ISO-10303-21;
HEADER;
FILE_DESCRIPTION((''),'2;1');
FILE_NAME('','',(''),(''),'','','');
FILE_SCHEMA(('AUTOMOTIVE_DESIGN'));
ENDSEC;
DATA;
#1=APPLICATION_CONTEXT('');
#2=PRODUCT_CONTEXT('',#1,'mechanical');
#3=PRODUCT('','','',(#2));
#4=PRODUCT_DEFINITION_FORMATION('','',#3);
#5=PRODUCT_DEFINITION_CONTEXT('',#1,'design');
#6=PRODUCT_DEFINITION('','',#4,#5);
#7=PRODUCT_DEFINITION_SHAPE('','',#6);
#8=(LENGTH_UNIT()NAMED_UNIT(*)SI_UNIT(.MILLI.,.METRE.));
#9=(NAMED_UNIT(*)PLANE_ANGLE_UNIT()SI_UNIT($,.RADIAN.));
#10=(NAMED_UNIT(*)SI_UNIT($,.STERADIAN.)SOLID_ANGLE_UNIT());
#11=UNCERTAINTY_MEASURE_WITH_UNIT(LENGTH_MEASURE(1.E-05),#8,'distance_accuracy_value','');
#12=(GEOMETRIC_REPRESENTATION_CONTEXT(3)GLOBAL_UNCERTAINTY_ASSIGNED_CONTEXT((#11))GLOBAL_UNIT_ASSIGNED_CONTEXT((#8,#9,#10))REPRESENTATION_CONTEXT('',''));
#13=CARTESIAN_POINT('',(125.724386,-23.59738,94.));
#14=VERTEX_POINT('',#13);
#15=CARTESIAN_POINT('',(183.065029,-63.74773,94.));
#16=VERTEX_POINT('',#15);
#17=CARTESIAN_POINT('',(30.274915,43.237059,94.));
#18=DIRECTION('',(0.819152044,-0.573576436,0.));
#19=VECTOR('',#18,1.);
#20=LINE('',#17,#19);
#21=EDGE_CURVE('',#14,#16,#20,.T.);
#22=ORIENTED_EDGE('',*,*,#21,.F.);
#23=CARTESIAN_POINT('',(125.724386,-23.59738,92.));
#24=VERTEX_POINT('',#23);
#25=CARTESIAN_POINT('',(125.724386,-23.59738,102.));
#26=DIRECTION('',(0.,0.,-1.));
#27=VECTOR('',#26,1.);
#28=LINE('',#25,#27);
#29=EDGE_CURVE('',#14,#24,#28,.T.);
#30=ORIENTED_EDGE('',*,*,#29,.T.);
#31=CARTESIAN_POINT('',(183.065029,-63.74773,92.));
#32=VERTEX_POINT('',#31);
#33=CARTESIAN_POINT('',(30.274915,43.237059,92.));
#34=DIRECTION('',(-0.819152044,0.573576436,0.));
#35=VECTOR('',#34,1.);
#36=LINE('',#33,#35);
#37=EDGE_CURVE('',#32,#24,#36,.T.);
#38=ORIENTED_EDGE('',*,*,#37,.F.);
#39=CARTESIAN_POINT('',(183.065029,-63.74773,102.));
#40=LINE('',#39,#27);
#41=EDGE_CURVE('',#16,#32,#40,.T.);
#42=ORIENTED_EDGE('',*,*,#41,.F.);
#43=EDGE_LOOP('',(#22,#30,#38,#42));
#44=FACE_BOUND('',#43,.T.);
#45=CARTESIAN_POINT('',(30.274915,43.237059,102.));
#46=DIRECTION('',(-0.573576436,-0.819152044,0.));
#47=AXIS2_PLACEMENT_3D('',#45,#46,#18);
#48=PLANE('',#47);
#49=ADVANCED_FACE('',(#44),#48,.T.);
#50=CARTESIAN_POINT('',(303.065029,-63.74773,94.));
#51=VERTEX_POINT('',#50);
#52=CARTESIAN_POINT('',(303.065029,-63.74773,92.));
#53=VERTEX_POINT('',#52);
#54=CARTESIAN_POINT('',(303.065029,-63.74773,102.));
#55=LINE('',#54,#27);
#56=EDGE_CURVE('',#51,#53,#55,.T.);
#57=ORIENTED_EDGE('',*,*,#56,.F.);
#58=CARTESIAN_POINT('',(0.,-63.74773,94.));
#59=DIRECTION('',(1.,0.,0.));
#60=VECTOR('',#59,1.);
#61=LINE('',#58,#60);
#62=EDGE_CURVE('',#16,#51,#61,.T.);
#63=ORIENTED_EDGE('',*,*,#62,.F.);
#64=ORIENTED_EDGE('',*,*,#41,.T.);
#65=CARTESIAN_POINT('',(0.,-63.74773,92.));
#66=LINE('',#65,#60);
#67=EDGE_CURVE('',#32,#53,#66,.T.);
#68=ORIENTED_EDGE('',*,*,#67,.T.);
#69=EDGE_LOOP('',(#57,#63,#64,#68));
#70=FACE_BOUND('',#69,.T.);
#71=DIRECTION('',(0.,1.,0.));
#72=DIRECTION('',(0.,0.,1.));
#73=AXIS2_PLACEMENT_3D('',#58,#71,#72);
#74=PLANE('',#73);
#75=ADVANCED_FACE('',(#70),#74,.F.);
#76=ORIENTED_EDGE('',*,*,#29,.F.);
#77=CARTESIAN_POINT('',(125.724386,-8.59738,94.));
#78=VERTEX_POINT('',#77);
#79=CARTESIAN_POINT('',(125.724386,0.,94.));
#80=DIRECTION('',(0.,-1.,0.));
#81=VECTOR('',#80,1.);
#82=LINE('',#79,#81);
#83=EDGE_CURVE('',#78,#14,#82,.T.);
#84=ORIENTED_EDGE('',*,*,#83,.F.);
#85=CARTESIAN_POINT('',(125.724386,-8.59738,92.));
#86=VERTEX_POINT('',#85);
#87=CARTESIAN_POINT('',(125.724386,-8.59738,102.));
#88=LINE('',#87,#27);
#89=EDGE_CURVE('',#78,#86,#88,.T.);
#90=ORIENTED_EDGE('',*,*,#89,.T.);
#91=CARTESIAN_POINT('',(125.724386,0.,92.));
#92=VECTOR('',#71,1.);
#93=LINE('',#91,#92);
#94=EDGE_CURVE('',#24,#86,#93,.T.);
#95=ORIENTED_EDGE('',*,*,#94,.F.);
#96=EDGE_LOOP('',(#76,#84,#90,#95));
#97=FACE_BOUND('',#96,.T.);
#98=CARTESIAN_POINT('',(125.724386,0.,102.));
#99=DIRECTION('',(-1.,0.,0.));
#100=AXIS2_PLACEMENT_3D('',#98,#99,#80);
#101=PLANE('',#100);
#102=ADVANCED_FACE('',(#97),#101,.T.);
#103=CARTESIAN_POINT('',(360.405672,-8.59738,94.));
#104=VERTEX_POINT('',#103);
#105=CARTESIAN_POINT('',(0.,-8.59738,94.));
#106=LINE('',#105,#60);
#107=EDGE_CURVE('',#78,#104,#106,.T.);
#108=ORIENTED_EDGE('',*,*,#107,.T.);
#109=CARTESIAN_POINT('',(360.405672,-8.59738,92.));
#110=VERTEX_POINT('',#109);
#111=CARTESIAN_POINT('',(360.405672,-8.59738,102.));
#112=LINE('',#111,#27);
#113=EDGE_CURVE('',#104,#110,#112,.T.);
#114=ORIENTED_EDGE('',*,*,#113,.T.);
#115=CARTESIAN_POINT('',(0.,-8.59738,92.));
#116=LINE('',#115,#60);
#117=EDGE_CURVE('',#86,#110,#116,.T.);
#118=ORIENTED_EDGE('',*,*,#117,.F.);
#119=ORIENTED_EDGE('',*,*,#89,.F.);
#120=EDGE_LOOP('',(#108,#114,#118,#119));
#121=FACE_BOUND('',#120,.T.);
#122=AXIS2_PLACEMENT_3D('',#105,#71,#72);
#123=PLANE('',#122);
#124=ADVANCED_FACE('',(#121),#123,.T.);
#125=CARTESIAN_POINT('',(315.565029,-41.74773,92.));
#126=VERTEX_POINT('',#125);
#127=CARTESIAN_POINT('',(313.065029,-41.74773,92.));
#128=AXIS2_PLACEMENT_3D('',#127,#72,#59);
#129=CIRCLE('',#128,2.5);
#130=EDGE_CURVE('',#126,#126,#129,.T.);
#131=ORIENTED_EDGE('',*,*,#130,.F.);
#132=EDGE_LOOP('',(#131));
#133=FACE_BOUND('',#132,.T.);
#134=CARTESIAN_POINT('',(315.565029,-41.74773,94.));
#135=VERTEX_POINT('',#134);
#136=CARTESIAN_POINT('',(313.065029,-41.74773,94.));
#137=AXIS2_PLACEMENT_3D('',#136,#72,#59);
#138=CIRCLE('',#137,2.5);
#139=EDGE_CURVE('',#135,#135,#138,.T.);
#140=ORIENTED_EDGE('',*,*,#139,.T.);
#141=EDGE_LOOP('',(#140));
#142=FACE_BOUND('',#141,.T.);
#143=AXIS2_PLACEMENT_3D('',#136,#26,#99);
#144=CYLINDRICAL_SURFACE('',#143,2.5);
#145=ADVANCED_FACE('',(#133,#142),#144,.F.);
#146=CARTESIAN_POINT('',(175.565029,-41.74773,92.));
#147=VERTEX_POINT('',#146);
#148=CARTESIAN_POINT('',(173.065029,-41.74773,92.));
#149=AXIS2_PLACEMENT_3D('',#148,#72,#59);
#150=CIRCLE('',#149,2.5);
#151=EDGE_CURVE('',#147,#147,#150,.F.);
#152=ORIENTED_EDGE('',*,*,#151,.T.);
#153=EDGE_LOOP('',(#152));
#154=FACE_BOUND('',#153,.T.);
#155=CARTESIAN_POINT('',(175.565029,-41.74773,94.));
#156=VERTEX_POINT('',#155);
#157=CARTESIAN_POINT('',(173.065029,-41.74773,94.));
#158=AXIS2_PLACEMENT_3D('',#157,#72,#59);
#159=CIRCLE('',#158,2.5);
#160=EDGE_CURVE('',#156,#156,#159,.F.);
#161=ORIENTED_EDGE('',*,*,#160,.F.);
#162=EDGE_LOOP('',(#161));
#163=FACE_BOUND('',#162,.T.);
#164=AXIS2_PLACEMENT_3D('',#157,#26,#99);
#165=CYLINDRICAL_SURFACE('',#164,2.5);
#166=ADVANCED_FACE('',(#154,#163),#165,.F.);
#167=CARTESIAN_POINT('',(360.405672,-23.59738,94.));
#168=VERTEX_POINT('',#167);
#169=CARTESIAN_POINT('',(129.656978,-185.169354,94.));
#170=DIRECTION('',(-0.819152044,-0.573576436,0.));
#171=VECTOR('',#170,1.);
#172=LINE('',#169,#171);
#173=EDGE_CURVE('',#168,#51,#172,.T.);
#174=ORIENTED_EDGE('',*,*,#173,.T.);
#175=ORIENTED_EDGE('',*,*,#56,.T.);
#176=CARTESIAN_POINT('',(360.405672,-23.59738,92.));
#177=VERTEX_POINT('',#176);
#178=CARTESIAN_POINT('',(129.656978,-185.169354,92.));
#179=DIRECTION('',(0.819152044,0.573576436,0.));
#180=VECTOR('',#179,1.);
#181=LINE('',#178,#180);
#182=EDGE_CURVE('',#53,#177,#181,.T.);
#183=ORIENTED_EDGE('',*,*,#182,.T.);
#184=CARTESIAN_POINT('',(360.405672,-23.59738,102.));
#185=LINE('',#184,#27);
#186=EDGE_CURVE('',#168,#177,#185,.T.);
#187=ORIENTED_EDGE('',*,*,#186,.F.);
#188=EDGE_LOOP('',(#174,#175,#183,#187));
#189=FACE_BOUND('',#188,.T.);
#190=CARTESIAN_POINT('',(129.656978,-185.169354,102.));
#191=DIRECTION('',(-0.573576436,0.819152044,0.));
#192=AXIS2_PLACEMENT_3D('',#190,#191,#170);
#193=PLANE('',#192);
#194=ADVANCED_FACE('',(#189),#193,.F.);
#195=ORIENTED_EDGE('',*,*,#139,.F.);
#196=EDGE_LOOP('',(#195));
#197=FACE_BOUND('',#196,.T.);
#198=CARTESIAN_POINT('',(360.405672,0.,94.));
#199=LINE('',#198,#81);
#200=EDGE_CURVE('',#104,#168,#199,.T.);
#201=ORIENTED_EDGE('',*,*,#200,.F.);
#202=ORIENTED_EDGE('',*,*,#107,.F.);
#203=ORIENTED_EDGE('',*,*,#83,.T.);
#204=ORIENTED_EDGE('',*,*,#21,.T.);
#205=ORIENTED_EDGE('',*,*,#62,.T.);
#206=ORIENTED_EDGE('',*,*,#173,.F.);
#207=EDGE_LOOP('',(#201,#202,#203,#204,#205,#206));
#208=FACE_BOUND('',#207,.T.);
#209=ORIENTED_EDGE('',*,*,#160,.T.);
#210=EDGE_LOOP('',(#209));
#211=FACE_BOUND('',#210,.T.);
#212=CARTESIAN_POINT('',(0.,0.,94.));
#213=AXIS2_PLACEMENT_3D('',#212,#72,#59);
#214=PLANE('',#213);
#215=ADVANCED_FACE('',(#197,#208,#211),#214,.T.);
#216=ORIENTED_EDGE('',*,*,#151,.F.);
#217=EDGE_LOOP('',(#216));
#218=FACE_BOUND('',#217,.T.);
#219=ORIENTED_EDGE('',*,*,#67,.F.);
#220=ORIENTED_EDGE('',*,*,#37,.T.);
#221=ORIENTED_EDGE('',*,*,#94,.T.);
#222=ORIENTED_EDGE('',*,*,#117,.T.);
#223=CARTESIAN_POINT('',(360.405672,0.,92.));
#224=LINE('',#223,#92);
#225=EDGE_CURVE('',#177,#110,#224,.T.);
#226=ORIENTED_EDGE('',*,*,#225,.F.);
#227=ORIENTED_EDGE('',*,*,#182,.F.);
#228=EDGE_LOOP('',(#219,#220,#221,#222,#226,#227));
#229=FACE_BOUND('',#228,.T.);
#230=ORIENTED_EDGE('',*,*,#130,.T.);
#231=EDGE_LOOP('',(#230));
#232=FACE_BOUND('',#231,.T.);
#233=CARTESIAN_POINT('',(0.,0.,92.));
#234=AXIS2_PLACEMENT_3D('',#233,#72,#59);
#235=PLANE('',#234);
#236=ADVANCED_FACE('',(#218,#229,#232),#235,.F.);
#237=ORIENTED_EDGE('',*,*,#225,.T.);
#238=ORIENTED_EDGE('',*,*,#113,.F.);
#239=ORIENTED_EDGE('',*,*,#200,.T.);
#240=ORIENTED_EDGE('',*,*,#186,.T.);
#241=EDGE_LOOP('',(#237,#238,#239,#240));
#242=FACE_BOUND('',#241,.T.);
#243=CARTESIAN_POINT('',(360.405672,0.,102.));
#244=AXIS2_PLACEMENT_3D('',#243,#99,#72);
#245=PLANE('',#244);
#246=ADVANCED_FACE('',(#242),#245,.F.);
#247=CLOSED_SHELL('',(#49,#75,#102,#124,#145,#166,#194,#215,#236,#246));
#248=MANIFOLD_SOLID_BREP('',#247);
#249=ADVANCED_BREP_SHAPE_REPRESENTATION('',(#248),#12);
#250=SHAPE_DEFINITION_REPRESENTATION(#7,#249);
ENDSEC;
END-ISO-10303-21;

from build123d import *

# Parameters (mm, degrees)
SKETCH1_R           = 2.5
BOSS_EXTRUDE1_DEPTH = 2
CUT_EXTRUDE1_DEPTH  = 10


with BuildPart() as part:
    # Sketch1 → Boss-Extrude1 (new body)
    with BuildSketch(Plane.XY.offset(92)):
        Polygon((26.130057398, -8.597379557), (26.130057398, -23.597379557), (83.470700498, -63.747730101), (402.6593569, -63.747730101), (460, -23.597379557), (460, -8.597379557), align=None)
        with Locations((173.065028699, -41.747730101)):
            Circle(SKETCH1_R, mode=Mode.SUBTRACT)
        with Locations((313.065028699, -41.747730101)):
            Circle(SKETCH1_R, mode=Mode.SUBTRACT)
    extrude(amount=BOSS_EXTRUDE1_DEPTH)

    # Sketch2 → Cut-Extrude1 (cut)
    with BuildSketch(Plane(origin=(0, 0, 92), x_dir=(-1, 0, 0), z_dir=(0, 0, -1))):
        Polygon((-381.8278919, -8.597379557), (-360.405671799, -23.597379557), (-360.405671799, -8.597379557), align=None)
        Polygon((-303.065028699, -63.747730101), (-360.405671799, -23.597379557), (-381.8278919, -8.597379557), (-460, -8.597379557), (-460, -23.597379557), (-402.6593569, -63.747730101), align=None)
        Polygon((-125.724385599, -8.597379557), (-125.724385599, -23.597379557), (-104.302165498, -8.597379557), align=None)
        Polygon((-104.302165498, -8.597379557), (-125.724385599, -23.597379557), (-183.065028699, -63.747730101), (-83.470700498, -63.747730101), (-26.130057398, -23.597379557), (-26.130057398, -8.597379557), align=None)
    extrude(amount=-CUT_EXTRUDE1_DEPTH, mode=Mode.SUBTRACT)


solid = part.part
